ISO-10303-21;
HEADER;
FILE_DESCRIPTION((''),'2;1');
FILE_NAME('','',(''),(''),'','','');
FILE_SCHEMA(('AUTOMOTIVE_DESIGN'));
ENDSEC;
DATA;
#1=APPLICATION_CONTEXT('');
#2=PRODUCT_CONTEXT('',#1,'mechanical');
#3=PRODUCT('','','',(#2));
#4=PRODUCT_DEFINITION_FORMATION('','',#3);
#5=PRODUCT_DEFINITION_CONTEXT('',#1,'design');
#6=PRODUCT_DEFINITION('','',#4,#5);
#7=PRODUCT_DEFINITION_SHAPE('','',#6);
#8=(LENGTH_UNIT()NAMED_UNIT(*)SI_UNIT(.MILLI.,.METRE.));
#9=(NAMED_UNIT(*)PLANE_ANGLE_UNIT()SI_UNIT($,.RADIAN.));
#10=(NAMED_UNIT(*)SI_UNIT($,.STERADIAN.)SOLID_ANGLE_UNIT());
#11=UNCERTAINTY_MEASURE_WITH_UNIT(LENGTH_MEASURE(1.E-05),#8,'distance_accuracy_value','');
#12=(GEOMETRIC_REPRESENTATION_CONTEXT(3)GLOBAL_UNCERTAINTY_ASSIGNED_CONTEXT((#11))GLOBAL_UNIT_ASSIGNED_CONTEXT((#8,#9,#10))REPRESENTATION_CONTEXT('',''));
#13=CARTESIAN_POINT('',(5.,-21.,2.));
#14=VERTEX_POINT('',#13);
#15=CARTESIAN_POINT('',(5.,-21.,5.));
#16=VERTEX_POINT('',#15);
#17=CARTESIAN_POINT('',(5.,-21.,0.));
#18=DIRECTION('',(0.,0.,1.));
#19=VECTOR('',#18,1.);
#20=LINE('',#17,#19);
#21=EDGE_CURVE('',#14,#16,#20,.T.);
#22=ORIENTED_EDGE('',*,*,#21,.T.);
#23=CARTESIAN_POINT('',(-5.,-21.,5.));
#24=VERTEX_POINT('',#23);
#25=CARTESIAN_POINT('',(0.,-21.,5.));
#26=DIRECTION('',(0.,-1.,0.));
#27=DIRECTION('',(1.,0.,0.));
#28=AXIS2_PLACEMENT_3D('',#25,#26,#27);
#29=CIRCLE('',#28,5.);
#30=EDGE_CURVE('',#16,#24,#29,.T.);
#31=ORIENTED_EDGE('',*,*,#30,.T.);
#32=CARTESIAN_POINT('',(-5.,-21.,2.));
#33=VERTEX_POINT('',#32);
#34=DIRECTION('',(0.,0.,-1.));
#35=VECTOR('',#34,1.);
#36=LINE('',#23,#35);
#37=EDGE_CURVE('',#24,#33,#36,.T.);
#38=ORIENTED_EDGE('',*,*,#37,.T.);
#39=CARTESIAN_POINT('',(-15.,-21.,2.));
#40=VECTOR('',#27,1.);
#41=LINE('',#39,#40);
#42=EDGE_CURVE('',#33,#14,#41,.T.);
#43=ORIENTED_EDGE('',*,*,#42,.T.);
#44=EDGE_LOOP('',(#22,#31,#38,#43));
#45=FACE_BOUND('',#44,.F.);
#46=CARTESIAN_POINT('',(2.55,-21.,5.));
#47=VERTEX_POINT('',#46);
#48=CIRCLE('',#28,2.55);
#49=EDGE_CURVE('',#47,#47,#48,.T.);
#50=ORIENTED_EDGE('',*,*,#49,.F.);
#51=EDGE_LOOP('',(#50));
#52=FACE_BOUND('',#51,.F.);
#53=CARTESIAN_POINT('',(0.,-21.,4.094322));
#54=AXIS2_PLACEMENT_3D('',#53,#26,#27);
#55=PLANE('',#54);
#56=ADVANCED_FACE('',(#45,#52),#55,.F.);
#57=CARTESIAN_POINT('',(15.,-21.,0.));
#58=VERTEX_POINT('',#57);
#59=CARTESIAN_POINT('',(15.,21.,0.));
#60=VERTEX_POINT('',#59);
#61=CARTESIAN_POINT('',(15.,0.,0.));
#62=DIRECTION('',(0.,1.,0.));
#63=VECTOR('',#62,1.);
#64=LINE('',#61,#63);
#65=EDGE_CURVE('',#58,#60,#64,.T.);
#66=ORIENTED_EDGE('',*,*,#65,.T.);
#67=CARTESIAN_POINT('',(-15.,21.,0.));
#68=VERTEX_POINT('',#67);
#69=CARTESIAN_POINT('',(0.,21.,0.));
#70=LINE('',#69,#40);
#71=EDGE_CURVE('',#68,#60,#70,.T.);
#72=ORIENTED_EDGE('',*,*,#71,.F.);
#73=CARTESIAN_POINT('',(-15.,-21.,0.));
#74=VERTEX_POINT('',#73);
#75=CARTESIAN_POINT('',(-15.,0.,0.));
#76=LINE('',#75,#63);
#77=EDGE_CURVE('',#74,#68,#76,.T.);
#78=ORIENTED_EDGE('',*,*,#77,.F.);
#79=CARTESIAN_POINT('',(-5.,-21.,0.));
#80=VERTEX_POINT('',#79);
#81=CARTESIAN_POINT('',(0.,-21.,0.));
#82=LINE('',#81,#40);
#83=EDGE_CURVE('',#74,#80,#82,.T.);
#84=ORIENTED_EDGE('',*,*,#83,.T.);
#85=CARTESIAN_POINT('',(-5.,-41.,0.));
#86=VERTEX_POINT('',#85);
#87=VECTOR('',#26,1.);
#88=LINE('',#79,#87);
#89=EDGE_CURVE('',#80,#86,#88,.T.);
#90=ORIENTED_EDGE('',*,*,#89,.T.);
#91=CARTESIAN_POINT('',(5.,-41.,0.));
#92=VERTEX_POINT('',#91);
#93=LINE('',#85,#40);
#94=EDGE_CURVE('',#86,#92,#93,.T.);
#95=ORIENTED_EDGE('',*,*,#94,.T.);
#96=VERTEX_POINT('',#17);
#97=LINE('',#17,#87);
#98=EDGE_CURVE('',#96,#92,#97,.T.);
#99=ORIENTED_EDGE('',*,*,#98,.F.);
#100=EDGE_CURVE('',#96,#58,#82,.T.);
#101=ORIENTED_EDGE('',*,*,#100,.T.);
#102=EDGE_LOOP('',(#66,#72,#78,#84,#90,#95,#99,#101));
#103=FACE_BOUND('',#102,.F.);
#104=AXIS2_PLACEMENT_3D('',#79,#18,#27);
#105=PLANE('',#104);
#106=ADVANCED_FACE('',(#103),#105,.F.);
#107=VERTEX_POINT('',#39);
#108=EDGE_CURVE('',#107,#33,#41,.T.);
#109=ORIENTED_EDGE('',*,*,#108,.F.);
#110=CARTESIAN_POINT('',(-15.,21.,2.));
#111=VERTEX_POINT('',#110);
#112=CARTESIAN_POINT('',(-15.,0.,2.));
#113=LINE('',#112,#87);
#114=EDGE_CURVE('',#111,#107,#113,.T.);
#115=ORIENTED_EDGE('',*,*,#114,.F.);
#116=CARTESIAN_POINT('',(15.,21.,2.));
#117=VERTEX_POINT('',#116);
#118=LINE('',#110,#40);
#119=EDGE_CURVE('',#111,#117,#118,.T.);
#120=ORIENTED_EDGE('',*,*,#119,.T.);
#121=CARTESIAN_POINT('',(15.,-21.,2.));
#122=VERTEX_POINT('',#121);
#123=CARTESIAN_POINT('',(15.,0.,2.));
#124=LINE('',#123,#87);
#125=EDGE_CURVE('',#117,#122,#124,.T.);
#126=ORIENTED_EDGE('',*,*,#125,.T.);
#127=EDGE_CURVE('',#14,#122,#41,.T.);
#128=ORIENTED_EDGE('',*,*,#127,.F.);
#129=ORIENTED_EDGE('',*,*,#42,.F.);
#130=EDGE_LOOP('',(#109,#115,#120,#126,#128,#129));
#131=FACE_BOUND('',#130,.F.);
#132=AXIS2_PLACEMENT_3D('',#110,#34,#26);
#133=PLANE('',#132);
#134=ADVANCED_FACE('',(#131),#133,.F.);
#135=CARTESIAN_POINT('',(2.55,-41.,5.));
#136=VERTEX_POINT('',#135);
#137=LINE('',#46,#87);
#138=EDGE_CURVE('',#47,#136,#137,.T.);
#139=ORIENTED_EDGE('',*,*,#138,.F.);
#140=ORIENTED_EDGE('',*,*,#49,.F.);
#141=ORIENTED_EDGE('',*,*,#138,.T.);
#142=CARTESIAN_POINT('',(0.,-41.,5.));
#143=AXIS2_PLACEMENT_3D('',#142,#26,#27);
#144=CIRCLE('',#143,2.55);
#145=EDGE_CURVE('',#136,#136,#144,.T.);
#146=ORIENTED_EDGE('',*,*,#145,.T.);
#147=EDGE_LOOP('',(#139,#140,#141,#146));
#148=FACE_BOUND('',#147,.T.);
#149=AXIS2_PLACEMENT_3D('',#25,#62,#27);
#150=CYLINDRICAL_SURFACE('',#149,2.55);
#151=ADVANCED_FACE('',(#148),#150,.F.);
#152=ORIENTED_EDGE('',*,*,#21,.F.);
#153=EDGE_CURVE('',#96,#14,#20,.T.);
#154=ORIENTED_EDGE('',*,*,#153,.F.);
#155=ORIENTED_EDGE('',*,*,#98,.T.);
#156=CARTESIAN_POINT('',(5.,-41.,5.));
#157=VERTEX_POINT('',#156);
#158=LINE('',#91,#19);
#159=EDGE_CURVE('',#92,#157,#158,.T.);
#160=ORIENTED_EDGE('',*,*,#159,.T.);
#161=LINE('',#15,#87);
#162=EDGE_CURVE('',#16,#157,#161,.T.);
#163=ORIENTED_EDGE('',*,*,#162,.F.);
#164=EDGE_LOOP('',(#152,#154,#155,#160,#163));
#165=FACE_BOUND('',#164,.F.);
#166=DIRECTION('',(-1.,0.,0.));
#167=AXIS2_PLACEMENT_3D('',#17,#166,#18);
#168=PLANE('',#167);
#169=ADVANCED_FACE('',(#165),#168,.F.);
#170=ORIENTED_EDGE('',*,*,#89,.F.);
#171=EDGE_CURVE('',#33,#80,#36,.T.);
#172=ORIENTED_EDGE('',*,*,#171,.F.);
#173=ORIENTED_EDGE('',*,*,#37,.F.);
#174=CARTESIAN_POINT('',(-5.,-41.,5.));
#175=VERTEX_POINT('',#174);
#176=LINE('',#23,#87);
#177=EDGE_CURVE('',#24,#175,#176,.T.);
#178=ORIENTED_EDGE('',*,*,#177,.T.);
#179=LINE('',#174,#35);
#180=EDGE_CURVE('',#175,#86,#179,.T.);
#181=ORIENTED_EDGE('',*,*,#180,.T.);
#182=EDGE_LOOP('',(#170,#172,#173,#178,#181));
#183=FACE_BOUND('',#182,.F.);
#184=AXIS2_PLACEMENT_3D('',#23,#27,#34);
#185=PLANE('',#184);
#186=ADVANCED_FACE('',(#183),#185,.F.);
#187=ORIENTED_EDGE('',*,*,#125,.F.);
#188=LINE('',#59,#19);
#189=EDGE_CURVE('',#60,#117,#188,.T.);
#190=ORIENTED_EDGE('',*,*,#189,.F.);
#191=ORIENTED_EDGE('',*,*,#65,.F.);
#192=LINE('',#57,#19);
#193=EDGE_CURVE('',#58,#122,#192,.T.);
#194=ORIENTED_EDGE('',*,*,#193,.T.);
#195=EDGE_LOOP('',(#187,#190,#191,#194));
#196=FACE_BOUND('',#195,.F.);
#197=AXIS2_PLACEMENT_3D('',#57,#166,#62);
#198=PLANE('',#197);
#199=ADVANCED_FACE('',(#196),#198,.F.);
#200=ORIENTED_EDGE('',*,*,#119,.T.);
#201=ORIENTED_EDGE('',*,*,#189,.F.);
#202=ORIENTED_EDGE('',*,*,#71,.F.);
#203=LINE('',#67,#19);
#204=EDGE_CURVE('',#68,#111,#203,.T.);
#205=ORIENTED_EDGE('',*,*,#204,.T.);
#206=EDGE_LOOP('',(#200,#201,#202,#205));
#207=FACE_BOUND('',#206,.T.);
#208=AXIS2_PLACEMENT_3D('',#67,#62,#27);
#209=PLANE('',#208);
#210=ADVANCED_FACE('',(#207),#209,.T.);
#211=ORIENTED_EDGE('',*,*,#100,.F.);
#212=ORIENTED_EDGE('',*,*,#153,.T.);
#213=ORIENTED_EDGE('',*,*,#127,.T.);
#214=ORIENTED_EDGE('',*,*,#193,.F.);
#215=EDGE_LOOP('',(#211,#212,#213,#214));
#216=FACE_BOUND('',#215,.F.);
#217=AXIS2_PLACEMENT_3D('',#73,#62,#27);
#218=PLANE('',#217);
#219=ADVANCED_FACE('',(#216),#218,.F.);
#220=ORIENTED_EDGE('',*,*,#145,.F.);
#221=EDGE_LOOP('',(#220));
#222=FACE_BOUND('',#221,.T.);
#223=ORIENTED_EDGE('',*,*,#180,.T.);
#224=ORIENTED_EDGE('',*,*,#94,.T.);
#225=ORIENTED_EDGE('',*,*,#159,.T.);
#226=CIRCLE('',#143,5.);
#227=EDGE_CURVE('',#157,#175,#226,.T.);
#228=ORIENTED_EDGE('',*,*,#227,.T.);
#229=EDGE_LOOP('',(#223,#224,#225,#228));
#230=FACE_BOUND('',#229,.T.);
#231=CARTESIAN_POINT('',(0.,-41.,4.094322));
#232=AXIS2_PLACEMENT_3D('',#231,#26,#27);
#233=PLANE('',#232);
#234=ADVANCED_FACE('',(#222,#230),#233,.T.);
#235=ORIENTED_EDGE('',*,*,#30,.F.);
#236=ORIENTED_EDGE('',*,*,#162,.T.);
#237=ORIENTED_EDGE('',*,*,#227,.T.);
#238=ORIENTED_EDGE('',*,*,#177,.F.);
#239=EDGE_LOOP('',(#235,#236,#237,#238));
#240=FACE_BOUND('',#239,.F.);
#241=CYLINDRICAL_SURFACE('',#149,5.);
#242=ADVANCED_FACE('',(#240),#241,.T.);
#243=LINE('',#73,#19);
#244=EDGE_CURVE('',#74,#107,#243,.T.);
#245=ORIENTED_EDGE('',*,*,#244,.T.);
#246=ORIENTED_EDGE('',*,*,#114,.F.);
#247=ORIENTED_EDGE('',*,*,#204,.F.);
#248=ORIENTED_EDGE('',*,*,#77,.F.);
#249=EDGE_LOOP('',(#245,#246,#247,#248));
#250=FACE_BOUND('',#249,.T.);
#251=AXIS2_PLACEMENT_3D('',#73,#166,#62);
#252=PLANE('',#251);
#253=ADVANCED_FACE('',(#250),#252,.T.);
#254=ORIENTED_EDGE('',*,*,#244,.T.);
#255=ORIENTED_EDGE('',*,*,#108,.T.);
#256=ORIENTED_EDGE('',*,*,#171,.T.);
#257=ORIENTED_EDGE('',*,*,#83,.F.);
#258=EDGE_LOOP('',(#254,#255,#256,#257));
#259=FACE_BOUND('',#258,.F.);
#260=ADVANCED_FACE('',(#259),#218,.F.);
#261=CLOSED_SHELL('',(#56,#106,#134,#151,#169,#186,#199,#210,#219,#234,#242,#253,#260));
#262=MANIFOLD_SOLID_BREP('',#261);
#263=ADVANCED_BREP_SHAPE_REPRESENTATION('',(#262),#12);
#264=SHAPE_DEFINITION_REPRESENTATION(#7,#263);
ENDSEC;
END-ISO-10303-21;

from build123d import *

# Parameters (mm, degrees)
SKETCH_W     = 30
SKETCH_H     = 42
PAD_DEPTH    = 5
SKETCH001_R  = 2.55
PAD001_DEPTH = 20
SKETCH002_W  = 42
SKETCH002_H  = 3
POCKET_DEPTH = 30.001


with BuildPart() as part:
    # Sketch → Pad (new body)
    with BuildSketch(Plane.XY):
        Rectangle(SKETCH_W, SKETCH_H)
    extrude(amount=PAD_DEPTH)

    # Sketch001 (on Face3 of Pad) → Pad001 (join)
    with BuildSketch(Plane.XZ.offset(21)):
        with BuildLine():
            ThreePointArc((5, 5), (0, 10), (-5, 5))
            Line((-5, 5), (-5, 0))
            Line((-5, 0), (5, 0))
            Line((5, 0), (5, 5))
        make_face()
        with Locations((0, 5)):
            Circle(SKETCH001_R, mode=Mode.SUBTRACT)
    extrude(amount=PAD001_DEPTH)

    # Sketch002 (on Face2 of Pad001) → Pocket (cut, through all)
    with BuildSketch(Plane(origin=(-15, 0, 0), x_dir=(0, -1, 0), z_dir=(-1, 0, 0))):
        with Locations((0, 3.5)):
            Rectangle(SKETCH002_W, SKETCH002_H)
    extrude(amount=-POCKET_DEPTH, mode=Mode.SUBTRACT)


solid = part.part
